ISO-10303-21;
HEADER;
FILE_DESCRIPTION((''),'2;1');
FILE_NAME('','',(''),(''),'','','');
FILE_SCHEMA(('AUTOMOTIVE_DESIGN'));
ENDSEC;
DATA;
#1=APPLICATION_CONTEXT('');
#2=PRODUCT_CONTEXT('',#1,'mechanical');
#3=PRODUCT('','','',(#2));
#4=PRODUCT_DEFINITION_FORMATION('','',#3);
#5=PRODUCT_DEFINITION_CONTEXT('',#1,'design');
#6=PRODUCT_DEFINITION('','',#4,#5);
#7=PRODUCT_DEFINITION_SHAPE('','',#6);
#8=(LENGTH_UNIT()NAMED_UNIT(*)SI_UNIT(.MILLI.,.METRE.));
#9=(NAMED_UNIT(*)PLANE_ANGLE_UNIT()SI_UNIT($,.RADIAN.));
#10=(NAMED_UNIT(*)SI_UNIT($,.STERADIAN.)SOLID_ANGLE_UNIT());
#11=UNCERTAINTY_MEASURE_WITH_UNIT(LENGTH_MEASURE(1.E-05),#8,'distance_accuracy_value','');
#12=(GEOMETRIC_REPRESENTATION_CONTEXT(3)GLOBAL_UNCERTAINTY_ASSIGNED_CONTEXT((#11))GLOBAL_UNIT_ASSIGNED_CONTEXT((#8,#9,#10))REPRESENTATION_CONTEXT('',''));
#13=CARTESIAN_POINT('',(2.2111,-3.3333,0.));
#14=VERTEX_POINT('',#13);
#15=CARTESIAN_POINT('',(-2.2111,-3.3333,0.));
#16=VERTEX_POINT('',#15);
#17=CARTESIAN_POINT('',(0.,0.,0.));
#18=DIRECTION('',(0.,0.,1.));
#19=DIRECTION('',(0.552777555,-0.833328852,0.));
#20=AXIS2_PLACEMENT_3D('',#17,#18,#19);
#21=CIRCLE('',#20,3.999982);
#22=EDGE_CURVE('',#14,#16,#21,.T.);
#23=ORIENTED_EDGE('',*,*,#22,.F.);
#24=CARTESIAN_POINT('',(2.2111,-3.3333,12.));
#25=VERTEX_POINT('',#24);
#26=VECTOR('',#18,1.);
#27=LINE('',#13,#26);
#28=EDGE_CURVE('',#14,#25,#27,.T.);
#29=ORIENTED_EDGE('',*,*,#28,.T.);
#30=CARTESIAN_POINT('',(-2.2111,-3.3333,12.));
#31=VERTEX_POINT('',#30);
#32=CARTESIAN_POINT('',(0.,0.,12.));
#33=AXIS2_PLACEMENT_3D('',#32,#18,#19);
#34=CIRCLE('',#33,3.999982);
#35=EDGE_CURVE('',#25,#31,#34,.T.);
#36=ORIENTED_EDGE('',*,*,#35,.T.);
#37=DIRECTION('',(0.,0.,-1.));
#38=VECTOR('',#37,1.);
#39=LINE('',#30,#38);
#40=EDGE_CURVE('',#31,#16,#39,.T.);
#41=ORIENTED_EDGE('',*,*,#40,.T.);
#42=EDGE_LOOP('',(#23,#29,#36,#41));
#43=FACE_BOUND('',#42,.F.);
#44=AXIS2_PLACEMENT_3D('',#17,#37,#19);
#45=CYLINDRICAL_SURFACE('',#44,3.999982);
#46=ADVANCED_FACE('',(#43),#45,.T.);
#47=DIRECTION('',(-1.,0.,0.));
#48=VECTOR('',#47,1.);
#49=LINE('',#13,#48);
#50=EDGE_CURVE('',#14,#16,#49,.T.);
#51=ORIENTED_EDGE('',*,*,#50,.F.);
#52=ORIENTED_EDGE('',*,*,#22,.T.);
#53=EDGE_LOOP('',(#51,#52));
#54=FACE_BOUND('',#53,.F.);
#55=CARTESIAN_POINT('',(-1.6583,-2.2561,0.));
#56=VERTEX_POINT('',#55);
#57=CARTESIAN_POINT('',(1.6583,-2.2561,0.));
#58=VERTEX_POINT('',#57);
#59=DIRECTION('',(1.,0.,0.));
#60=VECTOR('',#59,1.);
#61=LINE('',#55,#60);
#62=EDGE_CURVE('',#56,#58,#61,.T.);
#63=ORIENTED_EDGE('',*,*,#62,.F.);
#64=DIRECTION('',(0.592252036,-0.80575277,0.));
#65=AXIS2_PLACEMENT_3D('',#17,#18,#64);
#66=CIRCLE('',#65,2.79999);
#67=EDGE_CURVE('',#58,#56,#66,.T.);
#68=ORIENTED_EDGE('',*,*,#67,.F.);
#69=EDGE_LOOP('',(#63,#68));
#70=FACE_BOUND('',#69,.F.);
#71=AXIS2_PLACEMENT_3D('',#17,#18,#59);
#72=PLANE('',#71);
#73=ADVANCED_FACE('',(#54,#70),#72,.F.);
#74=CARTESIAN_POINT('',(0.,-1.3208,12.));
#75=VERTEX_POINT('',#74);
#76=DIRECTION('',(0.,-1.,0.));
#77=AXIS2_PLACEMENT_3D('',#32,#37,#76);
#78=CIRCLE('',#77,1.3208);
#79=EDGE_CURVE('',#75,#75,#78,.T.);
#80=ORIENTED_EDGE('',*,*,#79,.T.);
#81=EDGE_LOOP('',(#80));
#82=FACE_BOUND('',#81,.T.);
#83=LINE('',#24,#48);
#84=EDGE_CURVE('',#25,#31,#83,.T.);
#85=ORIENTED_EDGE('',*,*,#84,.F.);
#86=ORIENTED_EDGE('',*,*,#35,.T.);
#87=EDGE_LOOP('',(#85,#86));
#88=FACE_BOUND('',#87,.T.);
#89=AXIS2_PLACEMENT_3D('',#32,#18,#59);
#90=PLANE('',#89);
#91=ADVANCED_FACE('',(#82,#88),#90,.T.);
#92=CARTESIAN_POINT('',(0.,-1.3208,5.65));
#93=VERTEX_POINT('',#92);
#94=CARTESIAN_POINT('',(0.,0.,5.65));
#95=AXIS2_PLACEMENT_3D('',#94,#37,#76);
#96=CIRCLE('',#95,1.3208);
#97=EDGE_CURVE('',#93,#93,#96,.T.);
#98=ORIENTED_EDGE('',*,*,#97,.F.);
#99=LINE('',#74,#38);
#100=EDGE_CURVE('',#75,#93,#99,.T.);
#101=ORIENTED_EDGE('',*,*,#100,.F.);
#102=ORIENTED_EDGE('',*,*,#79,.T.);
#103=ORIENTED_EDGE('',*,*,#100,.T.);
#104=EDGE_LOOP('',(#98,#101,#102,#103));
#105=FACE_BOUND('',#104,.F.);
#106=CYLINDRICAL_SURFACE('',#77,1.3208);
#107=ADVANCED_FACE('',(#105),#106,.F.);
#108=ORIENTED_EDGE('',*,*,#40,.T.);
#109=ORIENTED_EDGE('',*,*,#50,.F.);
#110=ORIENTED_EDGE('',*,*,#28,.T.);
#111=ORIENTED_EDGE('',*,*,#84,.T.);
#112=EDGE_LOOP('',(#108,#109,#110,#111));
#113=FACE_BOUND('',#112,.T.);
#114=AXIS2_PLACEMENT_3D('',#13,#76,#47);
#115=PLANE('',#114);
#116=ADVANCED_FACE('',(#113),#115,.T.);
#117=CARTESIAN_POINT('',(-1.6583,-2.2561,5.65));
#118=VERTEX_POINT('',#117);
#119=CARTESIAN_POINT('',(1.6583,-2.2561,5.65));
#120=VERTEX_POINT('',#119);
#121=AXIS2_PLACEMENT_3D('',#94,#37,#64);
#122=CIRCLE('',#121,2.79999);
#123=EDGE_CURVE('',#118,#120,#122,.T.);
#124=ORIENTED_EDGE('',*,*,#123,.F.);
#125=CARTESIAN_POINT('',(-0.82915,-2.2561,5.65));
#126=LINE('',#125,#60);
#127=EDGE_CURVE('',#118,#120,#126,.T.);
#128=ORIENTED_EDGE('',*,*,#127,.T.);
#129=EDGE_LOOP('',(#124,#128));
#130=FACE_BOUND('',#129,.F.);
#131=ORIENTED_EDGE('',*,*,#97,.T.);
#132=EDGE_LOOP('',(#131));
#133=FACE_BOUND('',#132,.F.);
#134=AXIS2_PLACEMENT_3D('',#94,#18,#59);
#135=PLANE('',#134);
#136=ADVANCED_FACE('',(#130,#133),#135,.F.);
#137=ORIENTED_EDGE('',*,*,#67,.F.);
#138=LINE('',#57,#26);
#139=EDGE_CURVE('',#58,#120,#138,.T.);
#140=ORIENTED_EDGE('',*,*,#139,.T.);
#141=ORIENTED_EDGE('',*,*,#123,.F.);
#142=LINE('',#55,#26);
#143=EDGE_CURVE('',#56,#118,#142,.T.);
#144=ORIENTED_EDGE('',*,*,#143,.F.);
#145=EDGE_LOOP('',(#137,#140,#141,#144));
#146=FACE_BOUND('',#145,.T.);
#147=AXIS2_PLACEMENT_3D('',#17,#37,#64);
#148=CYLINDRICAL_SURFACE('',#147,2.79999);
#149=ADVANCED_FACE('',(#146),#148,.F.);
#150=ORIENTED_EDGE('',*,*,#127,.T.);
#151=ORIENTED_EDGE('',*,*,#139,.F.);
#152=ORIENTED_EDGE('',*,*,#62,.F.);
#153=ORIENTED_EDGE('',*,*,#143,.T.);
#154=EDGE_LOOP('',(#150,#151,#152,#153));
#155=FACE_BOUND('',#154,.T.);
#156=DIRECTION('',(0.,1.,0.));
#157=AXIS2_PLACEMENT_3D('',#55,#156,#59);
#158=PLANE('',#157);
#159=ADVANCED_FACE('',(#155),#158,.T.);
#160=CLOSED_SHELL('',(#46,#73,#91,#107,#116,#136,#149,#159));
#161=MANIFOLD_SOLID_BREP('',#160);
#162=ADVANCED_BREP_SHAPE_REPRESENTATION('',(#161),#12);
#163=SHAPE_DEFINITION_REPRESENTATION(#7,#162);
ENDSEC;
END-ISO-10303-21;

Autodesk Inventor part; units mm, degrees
ref_plane "YZ Plane" through (0, 0, 0) normal (1, 0, 0) x (0, 1, 0)
ref_plane "XZ Plane" through (0, 0, 0) normal (0, 1, 0) x (-1, 0, 0)
ref_plane "XY Plane" through (0, 0, 0) normal (0, 0, 1) x (1, 0, 0)
sketch "Base" plane through (0, 0, 0) normal (0, 0, 1) x (1, 0, 0)
  line L0 (-1.6583, -2.2561) -> (1.6583, -2.2561)
  arc A0 (1.6583, -2.2561) -> (-1.6583, -2.2561) centre (0, 0) ccw
  arc A1 (2.2111, -3.3333) -> (-2.2111, -3.3333) centre (0, 0) ccw
  line L1 (2.2111, -3.3333) -> (-2.2111, -3.3333)
  line L2 (-5.6, 0) -> (5.6, 0) construction
  dimension "d1" = 2.8
  dimension "d2" = 3.3166
  dimension "d22" = 4
  dimension "d23" = 3.3333
extrude "BaseFeature" add sketch "Base" along normal blind 12
sketch "Mount" plane through (0, 0, 12) normal (0, 0, 1) x (1, 0, 0)
  arc A0 (2.2111, -3.3333) -> (-2.2111, -3.3333) centre (0, 0) ccw projected
  line L0 (-2.2111, -3.3333) -> (2.2111, -3.3333) projected
extrude "MountFeature" add sketch "Mount" against normal blind 6.35
sketch "MountHole" plane through (0, 0, 12) normal (0, 0, 1) x (1, 0, 0)
  point P0 (0, 0)
hole "MountHoleFeature" at (0, 0, 12) direction (0, 0, -1) diameter 2.6416 end through all thread size "6-32 UNC" class "2B" standard "ANSI Unified Screw Threads"
properties part number "ShaftD6Female-632Female"
